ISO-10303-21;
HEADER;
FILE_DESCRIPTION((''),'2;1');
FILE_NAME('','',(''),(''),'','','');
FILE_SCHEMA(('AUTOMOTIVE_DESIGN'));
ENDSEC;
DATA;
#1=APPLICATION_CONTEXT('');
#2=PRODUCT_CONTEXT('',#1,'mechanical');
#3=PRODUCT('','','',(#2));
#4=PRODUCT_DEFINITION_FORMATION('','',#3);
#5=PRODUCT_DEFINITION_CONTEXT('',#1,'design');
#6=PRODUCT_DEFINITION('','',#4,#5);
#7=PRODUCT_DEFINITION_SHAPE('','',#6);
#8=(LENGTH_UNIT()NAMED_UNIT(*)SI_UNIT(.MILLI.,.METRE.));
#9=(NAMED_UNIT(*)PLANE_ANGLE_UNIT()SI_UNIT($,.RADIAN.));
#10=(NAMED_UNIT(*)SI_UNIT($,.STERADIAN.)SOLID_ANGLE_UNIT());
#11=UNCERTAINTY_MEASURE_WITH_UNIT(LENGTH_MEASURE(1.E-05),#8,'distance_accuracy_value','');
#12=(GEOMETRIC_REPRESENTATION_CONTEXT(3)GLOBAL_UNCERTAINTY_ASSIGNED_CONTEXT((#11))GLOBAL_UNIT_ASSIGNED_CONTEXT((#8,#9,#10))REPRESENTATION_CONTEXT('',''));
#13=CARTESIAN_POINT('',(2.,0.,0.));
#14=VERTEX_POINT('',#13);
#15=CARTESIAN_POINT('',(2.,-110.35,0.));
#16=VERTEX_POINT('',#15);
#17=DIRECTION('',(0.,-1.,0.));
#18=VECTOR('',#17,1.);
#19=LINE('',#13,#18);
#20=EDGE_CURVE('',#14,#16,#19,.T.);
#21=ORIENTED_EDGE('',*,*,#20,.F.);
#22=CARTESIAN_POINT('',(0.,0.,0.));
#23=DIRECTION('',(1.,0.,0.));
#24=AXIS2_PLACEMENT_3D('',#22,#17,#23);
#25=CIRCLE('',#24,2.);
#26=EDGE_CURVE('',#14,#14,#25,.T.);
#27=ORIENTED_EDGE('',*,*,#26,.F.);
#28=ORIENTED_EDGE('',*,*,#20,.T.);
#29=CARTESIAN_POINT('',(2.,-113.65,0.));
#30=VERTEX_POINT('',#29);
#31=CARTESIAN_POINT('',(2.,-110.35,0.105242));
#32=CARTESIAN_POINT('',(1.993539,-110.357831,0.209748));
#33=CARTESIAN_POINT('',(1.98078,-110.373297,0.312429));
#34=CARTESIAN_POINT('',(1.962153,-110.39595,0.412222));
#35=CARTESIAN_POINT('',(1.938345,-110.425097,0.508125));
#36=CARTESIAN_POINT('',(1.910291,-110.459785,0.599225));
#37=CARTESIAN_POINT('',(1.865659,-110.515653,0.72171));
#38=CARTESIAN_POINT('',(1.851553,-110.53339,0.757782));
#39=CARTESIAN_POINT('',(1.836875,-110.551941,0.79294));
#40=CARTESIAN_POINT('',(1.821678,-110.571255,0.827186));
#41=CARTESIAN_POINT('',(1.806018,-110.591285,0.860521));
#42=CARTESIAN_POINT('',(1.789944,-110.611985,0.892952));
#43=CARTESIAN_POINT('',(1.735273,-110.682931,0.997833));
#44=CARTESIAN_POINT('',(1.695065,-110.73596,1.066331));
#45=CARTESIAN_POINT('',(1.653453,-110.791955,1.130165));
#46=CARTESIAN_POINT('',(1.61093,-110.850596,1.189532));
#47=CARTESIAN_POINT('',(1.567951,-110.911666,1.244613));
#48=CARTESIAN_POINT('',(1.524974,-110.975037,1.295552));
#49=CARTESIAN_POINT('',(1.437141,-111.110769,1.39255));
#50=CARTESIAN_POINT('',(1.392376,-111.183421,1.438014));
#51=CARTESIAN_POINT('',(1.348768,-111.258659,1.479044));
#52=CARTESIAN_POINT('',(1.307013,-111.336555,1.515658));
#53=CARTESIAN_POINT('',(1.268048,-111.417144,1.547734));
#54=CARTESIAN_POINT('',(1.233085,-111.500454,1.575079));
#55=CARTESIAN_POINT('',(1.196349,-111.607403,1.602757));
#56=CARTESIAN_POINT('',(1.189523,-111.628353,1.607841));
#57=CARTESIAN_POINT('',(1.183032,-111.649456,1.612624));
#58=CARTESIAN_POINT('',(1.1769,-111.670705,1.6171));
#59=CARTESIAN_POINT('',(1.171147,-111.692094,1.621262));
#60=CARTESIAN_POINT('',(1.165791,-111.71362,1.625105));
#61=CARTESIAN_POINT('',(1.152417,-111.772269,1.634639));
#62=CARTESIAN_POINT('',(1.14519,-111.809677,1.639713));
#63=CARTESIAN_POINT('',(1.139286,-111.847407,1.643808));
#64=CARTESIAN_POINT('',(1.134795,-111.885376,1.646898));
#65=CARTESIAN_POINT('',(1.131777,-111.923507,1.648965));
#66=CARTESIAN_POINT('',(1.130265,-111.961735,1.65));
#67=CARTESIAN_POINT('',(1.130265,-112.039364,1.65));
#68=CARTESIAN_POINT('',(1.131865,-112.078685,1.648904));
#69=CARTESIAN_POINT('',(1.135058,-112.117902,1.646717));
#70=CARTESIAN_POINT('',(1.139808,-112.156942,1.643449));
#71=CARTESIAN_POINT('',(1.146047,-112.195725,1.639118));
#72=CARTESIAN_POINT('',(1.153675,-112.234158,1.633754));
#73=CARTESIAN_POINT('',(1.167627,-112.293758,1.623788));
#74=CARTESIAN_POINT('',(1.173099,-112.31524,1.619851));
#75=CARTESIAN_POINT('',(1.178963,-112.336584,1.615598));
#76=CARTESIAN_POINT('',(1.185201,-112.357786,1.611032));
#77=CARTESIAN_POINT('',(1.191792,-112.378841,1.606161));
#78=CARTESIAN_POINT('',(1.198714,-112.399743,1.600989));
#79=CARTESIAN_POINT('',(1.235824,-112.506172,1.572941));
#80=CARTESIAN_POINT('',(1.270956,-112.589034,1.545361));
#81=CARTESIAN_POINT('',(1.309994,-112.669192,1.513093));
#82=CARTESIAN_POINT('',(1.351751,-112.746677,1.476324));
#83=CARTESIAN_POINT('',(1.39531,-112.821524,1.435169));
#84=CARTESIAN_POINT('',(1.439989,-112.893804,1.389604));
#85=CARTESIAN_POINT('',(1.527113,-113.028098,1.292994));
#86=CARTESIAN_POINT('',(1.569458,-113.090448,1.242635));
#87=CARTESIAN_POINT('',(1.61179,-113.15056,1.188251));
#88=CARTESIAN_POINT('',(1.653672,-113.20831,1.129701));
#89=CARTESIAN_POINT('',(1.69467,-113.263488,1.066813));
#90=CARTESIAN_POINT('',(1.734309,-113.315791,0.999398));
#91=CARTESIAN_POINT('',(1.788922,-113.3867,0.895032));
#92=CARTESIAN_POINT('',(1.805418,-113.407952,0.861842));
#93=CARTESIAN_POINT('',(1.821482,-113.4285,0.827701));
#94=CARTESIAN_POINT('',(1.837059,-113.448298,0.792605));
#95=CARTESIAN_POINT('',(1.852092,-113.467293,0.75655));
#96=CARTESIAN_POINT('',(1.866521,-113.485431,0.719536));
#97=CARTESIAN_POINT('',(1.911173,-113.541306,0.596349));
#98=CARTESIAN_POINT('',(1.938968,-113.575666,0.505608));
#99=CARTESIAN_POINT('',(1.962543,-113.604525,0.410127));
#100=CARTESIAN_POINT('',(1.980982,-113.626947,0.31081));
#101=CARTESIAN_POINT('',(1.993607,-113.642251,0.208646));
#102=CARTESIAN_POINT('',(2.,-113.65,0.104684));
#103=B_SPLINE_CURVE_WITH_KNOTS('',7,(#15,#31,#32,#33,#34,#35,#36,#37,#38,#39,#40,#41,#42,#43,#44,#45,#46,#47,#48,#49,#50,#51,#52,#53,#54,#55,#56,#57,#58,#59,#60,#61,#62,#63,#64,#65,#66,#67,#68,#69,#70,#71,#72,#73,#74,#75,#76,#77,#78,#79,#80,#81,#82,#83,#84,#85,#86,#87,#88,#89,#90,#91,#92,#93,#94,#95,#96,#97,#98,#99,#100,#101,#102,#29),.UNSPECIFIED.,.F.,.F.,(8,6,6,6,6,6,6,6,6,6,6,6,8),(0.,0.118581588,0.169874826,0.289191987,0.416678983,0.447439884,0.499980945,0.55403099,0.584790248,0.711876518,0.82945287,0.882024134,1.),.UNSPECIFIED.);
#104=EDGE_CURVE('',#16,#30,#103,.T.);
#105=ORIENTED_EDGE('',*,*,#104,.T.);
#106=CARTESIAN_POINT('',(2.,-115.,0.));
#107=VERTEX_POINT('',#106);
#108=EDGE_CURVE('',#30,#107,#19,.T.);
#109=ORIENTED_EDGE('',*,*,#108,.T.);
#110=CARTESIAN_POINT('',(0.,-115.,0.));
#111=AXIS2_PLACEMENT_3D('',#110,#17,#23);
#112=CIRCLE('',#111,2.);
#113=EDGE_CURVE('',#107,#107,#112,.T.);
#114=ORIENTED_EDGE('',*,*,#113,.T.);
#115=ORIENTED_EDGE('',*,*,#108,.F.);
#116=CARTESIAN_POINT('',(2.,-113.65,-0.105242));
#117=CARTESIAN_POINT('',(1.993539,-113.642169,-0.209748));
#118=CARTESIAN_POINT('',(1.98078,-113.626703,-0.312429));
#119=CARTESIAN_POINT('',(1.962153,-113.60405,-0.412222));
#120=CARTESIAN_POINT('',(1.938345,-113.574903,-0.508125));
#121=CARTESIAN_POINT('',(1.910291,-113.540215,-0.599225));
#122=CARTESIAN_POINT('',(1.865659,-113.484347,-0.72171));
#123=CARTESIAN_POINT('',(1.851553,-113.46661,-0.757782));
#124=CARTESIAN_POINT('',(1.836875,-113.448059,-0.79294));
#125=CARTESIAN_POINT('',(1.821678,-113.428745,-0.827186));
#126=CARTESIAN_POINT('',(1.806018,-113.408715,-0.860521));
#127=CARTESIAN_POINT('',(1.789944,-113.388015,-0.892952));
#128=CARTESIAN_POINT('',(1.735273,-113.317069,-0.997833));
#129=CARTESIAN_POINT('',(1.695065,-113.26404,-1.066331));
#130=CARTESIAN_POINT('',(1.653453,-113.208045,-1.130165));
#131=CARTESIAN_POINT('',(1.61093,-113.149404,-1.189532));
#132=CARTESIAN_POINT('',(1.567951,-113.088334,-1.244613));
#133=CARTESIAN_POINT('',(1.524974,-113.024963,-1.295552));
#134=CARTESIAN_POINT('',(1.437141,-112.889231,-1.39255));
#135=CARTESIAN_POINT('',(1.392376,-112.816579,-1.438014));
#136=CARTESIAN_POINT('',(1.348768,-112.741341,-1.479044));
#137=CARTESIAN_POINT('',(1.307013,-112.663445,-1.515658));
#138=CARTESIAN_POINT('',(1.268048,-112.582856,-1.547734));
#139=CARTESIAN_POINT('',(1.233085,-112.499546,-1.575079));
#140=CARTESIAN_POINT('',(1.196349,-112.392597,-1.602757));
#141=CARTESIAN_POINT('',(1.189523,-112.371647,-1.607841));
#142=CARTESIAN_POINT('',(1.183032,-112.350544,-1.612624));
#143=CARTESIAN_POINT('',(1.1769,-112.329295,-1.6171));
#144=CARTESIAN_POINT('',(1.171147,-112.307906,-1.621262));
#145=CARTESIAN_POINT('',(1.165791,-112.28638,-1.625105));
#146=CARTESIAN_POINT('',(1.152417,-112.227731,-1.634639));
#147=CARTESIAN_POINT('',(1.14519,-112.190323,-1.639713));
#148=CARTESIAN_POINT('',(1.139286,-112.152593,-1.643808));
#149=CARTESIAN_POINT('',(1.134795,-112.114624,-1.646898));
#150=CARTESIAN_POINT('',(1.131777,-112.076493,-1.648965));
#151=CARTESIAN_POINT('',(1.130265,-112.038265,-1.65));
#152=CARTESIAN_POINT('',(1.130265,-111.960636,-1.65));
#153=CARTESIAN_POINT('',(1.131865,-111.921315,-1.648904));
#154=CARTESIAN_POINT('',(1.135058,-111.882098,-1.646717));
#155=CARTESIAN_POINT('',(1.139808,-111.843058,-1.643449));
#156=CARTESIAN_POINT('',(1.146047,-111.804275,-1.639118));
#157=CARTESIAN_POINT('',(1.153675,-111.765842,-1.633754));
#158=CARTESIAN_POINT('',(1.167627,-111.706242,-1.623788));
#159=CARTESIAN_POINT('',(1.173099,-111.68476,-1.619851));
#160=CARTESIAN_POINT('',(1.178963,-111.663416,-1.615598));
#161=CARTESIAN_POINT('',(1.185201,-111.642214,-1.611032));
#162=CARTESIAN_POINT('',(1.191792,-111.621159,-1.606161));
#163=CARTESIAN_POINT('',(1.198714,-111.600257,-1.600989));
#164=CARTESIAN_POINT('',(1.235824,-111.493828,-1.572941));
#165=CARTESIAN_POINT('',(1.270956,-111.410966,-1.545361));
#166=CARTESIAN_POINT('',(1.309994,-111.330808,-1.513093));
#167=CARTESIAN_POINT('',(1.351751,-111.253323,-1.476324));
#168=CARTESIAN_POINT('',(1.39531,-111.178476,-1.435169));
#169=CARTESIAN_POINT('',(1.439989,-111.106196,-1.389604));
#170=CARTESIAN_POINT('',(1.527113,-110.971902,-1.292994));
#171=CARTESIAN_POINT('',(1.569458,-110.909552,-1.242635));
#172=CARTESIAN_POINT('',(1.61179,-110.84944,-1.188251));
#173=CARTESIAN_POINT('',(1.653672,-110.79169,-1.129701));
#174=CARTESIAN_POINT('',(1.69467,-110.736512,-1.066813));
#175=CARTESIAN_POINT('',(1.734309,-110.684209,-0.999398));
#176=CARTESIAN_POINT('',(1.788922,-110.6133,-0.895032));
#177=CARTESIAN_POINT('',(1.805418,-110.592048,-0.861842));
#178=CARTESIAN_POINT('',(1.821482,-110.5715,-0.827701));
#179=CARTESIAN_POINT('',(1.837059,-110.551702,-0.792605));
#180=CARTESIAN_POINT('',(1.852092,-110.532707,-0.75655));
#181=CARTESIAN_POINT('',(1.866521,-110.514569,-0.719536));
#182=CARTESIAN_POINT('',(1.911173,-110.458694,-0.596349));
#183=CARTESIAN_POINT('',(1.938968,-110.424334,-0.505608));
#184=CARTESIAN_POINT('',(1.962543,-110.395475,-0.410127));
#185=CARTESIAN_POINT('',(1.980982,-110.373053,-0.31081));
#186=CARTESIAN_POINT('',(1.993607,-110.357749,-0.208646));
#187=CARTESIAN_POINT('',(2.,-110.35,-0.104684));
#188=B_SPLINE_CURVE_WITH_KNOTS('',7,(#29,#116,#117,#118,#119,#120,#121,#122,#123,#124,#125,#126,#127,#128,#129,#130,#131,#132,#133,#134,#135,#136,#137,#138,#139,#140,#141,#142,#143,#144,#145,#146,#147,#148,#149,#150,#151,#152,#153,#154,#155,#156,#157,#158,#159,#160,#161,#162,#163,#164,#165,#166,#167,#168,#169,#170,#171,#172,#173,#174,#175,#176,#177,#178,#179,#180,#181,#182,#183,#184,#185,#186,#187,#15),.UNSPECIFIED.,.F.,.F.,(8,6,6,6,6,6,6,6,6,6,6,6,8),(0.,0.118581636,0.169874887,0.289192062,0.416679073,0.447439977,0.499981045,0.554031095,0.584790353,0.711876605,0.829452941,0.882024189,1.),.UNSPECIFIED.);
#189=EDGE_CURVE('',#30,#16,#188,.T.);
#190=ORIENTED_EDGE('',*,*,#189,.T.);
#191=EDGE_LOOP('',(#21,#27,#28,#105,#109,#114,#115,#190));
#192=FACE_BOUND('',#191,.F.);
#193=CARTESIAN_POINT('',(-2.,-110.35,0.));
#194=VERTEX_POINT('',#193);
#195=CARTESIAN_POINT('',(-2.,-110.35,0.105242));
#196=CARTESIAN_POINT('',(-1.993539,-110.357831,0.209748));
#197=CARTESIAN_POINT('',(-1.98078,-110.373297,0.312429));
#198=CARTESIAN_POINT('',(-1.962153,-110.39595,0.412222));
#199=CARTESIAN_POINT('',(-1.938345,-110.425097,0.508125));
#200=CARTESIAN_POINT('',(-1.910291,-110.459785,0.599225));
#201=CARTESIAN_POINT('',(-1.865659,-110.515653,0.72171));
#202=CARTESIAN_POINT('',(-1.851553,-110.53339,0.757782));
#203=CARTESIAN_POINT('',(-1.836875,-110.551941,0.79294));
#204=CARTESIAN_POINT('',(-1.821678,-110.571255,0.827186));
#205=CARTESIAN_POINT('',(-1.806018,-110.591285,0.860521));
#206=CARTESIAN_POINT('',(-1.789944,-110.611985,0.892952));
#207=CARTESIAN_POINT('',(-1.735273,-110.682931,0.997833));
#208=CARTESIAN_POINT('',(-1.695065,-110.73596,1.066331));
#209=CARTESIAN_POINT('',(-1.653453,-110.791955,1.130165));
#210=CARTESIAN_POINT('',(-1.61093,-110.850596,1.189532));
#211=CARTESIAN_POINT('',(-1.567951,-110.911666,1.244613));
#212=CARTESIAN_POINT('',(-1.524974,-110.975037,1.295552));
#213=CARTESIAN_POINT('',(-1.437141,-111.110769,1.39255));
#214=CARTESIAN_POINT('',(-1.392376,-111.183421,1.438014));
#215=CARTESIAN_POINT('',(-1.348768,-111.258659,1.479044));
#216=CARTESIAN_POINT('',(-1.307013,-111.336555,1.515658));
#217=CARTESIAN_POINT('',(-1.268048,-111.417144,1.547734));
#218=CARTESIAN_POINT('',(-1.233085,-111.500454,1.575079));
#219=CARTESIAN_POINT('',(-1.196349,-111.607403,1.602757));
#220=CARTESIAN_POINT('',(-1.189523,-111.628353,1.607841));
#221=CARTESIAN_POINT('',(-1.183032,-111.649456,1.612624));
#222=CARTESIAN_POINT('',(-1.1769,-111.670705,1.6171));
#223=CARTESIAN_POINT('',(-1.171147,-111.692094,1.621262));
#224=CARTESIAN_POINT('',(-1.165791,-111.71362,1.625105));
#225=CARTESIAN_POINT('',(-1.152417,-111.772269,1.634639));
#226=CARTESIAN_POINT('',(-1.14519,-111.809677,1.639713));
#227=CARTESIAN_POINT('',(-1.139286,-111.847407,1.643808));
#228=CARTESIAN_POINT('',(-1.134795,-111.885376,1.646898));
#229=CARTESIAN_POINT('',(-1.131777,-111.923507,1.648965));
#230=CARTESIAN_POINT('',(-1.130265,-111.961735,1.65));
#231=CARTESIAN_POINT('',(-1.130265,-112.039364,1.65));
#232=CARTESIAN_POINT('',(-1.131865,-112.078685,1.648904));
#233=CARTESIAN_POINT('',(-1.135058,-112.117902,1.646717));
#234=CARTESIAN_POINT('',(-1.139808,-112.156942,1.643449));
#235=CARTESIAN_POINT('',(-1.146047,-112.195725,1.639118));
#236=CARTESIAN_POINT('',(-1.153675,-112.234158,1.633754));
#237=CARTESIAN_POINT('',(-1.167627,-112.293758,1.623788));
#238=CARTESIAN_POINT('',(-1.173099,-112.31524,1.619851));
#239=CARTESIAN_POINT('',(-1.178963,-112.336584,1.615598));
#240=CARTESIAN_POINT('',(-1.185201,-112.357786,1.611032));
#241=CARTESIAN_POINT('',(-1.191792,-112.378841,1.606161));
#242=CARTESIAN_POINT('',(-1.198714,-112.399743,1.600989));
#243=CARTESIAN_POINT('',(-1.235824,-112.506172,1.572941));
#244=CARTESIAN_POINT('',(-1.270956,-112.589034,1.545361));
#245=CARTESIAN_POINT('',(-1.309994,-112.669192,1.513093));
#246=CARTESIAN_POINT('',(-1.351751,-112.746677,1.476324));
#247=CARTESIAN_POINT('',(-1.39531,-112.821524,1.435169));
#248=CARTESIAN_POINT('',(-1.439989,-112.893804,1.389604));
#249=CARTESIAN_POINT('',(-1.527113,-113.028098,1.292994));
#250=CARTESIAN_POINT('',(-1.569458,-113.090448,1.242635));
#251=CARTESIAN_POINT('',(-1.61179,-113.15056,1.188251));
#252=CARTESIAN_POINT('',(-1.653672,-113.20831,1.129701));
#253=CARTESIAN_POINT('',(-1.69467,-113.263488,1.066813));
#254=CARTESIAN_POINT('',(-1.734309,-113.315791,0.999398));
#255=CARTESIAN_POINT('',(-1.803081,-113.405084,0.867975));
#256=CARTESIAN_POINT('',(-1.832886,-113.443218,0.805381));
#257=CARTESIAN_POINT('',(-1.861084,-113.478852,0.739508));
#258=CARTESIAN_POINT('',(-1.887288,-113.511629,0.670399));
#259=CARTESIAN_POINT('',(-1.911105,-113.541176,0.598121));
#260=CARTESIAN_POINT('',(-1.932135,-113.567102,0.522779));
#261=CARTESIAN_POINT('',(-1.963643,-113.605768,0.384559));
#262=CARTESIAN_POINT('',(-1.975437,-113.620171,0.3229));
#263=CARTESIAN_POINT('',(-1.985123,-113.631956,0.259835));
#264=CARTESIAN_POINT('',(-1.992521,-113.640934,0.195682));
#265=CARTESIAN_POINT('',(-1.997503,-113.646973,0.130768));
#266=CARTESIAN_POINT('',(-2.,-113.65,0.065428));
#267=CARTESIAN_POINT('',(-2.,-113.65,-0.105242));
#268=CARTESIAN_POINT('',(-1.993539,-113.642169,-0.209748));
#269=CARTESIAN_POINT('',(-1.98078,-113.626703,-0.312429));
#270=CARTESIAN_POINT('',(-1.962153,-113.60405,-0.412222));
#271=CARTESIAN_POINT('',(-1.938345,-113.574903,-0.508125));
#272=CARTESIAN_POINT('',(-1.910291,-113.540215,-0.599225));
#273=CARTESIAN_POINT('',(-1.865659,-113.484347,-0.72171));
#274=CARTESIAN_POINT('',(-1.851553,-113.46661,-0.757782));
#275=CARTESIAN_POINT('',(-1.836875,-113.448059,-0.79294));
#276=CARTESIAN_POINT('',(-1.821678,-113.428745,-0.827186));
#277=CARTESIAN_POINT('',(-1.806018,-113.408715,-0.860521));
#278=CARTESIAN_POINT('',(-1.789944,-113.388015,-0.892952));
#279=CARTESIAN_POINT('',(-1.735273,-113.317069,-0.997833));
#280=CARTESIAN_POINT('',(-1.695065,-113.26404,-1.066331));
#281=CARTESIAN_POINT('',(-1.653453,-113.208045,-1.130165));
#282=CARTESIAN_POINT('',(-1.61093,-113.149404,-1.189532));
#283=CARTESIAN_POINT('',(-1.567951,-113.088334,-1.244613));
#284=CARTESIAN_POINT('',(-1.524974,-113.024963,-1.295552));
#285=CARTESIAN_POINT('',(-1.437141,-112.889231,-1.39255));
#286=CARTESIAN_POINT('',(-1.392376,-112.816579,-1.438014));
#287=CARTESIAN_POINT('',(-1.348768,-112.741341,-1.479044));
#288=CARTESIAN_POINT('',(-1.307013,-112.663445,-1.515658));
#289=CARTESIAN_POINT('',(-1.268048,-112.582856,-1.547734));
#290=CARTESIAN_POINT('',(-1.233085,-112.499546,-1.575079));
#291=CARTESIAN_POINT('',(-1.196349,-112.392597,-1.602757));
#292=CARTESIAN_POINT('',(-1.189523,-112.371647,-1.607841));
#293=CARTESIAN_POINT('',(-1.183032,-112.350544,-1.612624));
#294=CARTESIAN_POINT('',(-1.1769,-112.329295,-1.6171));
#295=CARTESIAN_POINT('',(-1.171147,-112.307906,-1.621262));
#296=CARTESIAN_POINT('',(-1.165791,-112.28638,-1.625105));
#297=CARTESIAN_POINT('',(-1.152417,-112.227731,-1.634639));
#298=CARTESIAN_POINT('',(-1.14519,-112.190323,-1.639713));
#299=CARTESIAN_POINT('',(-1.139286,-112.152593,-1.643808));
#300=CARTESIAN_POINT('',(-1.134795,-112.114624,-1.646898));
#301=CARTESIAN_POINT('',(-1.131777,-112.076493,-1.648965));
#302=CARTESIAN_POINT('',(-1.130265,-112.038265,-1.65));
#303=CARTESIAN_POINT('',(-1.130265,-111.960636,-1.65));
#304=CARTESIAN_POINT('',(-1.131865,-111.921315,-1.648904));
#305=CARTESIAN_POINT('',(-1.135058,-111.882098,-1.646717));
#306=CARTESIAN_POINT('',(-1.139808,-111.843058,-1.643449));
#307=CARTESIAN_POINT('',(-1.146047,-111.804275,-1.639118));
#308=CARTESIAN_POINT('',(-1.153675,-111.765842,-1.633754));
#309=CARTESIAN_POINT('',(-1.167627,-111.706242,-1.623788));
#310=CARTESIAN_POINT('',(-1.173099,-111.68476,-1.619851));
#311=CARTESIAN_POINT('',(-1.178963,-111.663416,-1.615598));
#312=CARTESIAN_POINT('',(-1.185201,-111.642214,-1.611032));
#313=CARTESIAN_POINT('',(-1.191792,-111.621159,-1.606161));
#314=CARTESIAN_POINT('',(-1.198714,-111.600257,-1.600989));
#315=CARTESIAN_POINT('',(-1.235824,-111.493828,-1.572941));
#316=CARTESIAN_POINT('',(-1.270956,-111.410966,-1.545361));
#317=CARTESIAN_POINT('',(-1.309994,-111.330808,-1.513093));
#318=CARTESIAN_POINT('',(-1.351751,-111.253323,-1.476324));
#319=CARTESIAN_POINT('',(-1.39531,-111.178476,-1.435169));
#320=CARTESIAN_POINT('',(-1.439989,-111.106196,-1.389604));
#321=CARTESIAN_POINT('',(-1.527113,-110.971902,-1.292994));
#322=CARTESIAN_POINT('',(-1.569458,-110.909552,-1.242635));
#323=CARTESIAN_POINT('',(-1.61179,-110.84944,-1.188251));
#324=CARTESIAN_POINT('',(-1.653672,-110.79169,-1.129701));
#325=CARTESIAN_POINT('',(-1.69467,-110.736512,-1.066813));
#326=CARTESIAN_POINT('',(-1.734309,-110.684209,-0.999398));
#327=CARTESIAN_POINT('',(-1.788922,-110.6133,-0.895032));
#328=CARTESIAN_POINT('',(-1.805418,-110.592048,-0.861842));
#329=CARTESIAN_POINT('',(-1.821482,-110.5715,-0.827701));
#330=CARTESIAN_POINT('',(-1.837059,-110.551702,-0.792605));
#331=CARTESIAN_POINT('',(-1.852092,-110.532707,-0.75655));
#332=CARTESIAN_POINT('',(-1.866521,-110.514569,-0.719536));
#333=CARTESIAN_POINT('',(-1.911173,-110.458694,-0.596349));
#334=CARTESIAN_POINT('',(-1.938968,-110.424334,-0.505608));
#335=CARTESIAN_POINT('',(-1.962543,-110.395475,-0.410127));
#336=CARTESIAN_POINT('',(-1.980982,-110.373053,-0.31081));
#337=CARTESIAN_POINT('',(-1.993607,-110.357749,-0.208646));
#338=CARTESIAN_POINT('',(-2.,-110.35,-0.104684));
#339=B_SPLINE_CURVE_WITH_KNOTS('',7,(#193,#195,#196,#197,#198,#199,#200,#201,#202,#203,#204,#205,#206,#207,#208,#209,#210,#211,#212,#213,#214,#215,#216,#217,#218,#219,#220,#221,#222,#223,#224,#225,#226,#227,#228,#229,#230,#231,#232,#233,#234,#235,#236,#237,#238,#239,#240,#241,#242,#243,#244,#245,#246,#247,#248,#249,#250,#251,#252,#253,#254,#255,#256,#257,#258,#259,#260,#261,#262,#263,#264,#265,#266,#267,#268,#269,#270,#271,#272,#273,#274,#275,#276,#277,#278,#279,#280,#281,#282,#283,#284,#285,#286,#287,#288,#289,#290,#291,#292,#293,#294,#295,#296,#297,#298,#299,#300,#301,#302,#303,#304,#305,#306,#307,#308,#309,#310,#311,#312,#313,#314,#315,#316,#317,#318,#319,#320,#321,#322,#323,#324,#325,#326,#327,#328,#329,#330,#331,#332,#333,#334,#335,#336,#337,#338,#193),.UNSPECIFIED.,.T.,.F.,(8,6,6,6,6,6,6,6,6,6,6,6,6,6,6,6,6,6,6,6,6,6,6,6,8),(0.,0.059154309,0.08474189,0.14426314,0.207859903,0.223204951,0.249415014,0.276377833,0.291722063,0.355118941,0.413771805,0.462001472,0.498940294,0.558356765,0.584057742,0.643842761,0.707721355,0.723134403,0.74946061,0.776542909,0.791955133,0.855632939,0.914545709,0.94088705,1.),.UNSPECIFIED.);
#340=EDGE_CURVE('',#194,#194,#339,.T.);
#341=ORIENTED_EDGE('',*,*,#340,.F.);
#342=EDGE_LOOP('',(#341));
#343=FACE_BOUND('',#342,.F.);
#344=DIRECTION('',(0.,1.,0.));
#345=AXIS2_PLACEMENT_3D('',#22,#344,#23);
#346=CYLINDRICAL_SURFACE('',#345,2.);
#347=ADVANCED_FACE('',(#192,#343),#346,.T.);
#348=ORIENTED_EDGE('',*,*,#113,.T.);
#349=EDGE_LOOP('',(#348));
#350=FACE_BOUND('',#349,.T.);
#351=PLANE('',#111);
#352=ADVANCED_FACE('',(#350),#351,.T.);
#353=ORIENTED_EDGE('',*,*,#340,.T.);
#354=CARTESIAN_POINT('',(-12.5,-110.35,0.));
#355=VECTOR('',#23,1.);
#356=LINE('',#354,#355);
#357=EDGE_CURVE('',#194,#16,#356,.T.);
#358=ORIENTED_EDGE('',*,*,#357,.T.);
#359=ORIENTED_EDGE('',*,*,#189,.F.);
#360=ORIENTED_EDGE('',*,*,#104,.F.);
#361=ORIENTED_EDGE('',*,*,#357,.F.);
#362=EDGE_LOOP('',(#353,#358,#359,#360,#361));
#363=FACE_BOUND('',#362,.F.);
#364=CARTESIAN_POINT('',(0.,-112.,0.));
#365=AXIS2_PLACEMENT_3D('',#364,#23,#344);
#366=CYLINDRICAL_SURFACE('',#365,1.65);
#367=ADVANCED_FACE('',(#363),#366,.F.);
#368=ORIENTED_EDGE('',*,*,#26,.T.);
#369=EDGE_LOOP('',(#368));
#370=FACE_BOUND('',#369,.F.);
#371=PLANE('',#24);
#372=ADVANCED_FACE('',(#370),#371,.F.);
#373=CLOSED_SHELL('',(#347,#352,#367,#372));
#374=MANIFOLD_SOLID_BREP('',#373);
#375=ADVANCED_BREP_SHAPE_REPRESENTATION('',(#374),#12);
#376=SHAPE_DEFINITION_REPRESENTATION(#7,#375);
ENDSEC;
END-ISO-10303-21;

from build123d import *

# Parameters (mm, degrees)
F0_R     = 2
F1_DEPTH = 115
F2_R     = 1.65
F3_DEPTH = 12.5


with BuildPart() as f1:
    # F0 (on Front) → F1 (new body)
    with BuildSketch(Plane.XZ):
        Circle(F0_R)
    extrude(amount=F1_DEPTH)

    # F2 (on Right) → F3 (cut, symmetric)
    with BuildSketch(Plane.YZ):
        with Locations((-112, 0)):
            Circle(F2_R)
    extrude(amount=F3_DEPTH, both=True, mode=Mode.SUBTRACT)


solid = f1.part
